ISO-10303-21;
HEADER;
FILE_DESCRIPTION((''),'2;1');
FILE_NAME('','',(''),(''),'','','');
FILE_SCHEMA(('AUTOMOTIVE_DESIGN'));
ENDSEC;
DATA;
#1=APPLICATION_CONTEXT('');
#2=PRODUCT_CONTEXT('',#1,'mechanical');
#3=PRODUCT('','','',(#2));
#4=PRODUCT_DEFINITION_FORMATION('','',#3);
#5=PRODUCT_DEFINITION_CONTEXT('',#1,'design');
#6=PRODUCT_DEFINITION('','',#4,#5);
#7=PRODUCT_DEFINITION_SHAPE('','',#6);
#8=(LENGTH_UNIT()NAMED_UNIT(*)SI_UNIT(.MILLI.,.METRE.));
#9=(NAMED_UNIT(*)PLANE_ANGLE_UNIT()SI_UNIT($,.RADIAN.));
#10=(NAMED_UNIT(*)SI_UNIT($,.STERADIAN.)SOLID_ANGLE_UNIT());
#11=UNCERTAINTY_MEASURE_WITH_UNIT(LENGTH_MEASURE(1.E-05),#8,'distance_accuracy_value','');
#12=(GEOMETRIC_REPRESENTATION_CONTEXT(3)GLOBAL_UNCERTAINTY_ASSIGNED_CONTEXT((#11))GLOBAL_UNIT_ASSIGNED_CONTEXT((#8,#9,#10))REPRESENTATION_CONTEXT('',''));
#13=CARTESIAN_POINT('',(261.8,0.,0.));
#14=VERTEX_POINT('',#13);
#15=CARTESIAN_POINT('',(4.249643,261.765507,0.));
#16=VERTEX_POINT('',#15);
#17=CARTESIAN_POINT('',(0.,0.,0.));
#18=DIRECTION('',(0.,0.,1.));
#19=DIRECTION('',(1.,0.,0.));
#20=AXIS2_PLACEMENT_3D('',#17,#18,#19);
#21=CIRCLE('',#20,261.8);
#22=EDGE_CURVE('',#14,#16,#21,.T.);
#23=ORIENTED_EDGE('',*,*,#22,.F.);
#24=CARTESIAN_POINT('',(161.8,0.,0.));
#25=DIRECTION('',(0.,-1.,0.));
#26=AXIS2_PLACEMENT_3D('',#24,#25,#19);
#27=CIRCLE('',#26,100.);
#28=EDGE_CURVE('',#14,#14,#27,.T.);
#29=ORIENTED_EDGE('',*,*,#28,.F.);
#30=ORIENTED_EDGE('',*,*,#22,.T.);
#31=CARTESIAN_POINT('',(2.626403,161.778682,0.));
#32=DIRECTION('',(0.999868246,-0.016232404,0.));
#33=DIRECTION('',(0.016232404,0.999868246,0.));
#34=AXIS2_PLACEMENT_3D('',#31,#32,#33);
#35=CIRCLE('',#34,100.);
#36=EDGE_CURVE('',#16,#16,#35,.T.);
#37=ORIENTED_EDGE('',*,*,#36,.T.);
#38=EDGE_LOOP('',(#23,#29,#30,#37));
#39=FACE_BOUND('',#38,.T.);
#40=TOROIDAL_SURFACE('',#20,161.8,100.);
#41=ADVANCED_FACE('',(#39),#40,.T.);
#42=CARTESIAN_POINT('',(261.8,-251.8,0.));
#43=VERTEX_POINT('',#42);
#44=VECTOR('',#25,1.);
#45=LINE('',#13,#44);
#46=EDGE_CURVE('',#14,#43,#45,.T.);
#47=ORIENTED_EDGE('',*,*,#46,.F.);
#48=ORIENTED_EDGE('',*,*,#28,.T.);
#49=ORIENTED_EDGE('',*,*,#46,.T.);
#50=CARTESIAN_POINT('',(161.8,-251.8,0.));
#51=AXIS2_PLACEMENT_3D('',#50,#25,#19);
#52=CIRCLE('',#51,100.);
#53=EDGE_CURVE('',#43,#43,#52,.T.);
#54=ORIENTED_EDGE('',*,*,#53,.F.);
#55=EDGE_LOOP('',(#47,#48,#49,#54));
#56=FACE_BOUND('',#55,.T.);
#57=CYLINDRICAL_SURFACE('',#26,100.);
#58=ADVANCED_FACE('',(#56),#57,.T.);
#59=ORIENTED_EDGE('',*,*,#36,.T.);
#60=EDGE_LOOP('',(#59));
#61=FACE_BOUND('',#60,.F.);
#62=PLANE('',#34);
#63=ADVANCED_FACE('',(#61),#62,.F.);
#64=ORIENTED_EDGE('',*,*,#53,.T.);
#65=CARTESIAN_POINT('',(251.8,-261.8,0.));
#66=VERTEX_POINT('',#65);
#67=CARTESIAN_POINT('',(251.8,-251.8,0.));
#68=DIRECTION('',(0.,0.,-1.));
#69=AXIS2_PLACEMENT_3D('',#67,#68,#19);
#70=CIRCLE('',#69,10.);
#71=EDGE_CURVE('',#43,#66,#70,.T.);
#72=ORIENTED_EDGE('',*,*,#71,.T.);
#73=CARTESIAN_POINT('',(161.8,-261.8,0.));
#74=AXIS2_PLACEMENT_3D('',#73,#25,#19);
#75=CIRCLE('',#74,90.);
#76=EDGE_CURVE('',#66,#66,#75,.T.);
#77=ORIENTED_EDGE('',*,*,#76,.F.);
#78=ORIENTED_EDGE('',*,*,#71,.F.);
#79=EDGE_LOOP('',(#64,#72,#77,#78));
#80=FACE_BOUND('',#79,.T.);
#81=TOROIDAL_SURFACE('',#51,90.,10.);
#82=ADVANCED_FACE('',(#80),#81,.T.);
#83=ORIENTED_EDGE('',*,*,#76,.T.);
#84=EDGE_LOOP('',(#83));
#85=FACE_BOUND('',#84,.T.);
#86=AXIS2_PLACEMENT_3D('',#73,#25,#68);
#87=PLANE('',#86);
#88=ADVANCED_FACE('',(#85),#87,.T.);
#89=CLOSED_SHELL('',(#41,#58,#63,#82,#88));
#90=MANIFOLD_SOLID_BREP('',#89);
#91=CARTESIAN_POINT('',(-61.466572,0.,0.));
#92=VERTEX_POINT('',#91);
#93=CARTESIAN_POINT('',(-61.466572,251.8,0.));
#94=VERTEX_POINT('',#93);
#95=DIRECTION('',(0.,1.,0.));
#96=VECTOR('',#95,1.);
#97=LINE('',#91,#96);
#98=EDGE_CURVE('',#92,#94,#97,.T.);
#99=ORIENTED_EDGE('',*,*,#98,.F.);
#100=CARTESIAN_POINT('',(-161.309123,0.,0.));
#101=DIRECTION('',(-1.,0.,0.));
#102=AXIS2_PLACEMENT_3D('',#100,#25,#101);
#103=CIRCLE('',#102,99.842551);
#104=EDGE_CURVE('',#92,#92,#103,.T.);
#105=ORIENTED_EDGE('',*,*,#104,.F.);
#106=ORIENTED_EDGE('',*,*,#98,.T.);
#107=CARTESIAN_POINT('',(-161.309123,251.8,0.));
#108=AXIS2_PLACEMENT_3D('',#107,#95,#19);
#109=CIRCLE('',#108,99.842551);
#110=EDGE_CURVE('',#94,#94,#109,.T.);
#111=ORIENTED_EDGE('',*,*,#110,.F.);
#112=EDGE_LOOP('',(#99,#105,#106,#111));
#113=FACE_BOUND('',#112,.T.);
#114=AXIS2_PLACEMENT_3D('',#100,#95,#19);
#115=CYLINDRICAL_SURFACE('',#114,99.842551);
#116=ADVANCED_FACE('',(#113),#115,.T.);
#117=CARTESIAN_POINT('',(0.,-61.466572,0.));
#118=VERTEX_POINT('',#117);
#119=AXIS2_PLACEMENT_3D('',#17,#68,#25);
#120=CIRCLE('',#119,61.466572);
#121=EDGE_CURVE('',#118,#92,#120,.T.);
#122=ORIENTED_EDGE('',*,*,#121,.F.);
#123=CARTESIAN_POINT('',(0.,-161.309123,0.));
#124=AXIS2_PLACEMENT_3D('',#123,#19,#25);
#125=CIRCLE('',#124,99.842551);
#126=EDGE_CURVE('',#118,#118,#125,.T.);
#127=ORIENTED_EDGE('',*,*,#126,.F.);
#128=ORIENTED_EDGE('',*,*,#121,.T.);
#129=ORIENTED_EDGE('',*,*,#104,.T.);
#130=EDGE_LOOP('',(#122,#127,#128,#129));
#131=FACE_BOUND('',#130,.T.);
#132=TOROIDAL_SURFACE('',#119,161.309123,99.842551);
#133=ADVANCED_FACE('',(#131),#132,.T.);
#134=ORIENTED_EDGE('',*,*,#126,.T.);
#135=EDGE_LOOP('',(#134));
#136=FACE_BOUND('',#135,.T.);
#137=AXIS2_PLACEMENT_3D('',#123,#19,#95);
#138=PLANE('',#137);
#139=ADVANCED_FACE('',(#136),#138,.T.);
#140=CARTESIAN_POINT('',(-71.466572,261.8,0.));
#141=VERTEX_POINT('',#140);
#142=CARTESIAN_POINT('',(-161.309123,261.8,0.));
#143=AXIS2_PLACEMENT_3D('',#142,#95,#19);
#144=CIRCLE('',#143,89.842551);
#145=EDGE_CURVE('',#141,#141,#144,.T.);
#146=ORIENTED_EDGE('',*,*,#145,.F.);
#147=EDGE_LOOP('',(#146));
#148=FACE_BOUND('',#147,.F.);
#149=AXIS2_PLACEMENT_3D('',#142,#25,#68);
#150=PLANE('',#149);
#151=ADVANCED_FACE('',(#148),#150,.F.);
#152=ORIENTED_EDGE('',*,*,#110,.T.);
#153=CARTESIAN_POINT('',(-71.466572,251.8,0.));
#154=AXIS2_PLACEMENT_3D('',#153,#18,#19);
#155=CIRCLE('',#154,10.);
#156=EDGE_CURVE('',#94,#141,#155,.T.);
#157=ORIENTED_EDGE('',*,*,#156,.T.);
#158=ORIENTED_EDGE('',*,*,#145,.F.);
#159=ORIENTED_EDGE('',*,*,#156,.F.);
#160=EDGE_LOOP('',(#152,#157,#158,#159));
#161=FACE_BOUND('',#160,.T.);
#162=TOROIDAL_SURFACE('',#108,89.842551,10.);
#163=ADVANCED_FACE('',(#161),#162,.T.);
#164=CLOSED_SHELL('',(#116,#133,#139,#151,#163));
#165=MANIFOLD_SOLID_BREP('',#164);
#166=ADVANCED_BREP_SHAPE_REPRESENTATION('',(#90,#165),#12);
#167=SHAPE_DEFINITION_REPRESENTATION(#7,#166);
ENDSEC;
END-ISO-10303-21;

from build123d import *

# Parameters (mm, degrees)
F1_R      = 100
F2_FACE_R = 100
F4_R      = 158.537666862
F4_R_2    = 100
F5_DEPTH  = 261
F6_R      = 10
F7_R      = 99.8425511125
F9_R      = 10


with BuildPart() as f2:
    # F2: sweep along a path in F0
    with BuildLine(Plane.XY) as f2_path:
        ThreePointArc((161.8, 0), (115.3347128974, 113.4775043825), (2.6264029557, 161.7786821788))
    # F1 (on Front) → F2 (sweep)
    with BuildSketch(Plane.XZ):
        with Locations((161.8, 0)):
            Circle(F1_R)
    sweep(path=f2_path.line)

    # F3: sweep along a path in F0
    with BuildLine(Plane.XY) as f3_path:
        Line((161.8, 0), (161.8, -261.8))
    # F2_face (on face) → F3 (sweep)
    with BuildSketch(Plane(origin=(161.8, 0, 0), x_dir=(1, 0, 0), z_dir=(0, -1, 0))):
        Circle(F2_FACE_R)
    sweep(path=f3_path.line)

    # F4 (on face) → F5 (cut)
    with BuildSketch(Plane.XZ.offset(261.8)):
        with Locations((161.8, 0)):
            Circle(F4_R)
        with Locations((161.8, 0)):
            Circle(F4_R_2, mode=Mode.SUBTRACT)
    extrude(amount=-F5_DEPTH, mode=Mode.SUBTRACT)

    # F6
    f6_edges = [f2.edges().sort_by_distance(p)[0] for p in [
        (61.8, 0, 0),
        (61.8, -261.8, 0),
        (261.8, -130.9, 0),
    ]]
    fillet(f6_edges, radius=F6_R)


with BuildPart() as f8:
    # F8: sweep along a path in F0
    with BuildLine(Plane.XY) as f8_path:
        ThreePointArc((0, -161.1341685057), (-113.9390632312, -113.9390632312), (-161.1341685057, 0))
        Line((-161.1341685057, 0), (-161.1341685057, 261.8))
    # F7 (on Right) → F8 (sweep)
    with BuildSketch(Plane.YZ):
        with Locations((-161.3091230392, 0)):
            Circle(F7_R)
    sweep(path=f8_path.line)

    # F9
    f9_edges = [f8.edges().sort_by_distance(p)[0] for p in [
        (-261.151674, 261.8, 0),
    ]]
    fillet(f9_edges, radius=F9_R)


solid = Compound([f2.part, f8.part])
